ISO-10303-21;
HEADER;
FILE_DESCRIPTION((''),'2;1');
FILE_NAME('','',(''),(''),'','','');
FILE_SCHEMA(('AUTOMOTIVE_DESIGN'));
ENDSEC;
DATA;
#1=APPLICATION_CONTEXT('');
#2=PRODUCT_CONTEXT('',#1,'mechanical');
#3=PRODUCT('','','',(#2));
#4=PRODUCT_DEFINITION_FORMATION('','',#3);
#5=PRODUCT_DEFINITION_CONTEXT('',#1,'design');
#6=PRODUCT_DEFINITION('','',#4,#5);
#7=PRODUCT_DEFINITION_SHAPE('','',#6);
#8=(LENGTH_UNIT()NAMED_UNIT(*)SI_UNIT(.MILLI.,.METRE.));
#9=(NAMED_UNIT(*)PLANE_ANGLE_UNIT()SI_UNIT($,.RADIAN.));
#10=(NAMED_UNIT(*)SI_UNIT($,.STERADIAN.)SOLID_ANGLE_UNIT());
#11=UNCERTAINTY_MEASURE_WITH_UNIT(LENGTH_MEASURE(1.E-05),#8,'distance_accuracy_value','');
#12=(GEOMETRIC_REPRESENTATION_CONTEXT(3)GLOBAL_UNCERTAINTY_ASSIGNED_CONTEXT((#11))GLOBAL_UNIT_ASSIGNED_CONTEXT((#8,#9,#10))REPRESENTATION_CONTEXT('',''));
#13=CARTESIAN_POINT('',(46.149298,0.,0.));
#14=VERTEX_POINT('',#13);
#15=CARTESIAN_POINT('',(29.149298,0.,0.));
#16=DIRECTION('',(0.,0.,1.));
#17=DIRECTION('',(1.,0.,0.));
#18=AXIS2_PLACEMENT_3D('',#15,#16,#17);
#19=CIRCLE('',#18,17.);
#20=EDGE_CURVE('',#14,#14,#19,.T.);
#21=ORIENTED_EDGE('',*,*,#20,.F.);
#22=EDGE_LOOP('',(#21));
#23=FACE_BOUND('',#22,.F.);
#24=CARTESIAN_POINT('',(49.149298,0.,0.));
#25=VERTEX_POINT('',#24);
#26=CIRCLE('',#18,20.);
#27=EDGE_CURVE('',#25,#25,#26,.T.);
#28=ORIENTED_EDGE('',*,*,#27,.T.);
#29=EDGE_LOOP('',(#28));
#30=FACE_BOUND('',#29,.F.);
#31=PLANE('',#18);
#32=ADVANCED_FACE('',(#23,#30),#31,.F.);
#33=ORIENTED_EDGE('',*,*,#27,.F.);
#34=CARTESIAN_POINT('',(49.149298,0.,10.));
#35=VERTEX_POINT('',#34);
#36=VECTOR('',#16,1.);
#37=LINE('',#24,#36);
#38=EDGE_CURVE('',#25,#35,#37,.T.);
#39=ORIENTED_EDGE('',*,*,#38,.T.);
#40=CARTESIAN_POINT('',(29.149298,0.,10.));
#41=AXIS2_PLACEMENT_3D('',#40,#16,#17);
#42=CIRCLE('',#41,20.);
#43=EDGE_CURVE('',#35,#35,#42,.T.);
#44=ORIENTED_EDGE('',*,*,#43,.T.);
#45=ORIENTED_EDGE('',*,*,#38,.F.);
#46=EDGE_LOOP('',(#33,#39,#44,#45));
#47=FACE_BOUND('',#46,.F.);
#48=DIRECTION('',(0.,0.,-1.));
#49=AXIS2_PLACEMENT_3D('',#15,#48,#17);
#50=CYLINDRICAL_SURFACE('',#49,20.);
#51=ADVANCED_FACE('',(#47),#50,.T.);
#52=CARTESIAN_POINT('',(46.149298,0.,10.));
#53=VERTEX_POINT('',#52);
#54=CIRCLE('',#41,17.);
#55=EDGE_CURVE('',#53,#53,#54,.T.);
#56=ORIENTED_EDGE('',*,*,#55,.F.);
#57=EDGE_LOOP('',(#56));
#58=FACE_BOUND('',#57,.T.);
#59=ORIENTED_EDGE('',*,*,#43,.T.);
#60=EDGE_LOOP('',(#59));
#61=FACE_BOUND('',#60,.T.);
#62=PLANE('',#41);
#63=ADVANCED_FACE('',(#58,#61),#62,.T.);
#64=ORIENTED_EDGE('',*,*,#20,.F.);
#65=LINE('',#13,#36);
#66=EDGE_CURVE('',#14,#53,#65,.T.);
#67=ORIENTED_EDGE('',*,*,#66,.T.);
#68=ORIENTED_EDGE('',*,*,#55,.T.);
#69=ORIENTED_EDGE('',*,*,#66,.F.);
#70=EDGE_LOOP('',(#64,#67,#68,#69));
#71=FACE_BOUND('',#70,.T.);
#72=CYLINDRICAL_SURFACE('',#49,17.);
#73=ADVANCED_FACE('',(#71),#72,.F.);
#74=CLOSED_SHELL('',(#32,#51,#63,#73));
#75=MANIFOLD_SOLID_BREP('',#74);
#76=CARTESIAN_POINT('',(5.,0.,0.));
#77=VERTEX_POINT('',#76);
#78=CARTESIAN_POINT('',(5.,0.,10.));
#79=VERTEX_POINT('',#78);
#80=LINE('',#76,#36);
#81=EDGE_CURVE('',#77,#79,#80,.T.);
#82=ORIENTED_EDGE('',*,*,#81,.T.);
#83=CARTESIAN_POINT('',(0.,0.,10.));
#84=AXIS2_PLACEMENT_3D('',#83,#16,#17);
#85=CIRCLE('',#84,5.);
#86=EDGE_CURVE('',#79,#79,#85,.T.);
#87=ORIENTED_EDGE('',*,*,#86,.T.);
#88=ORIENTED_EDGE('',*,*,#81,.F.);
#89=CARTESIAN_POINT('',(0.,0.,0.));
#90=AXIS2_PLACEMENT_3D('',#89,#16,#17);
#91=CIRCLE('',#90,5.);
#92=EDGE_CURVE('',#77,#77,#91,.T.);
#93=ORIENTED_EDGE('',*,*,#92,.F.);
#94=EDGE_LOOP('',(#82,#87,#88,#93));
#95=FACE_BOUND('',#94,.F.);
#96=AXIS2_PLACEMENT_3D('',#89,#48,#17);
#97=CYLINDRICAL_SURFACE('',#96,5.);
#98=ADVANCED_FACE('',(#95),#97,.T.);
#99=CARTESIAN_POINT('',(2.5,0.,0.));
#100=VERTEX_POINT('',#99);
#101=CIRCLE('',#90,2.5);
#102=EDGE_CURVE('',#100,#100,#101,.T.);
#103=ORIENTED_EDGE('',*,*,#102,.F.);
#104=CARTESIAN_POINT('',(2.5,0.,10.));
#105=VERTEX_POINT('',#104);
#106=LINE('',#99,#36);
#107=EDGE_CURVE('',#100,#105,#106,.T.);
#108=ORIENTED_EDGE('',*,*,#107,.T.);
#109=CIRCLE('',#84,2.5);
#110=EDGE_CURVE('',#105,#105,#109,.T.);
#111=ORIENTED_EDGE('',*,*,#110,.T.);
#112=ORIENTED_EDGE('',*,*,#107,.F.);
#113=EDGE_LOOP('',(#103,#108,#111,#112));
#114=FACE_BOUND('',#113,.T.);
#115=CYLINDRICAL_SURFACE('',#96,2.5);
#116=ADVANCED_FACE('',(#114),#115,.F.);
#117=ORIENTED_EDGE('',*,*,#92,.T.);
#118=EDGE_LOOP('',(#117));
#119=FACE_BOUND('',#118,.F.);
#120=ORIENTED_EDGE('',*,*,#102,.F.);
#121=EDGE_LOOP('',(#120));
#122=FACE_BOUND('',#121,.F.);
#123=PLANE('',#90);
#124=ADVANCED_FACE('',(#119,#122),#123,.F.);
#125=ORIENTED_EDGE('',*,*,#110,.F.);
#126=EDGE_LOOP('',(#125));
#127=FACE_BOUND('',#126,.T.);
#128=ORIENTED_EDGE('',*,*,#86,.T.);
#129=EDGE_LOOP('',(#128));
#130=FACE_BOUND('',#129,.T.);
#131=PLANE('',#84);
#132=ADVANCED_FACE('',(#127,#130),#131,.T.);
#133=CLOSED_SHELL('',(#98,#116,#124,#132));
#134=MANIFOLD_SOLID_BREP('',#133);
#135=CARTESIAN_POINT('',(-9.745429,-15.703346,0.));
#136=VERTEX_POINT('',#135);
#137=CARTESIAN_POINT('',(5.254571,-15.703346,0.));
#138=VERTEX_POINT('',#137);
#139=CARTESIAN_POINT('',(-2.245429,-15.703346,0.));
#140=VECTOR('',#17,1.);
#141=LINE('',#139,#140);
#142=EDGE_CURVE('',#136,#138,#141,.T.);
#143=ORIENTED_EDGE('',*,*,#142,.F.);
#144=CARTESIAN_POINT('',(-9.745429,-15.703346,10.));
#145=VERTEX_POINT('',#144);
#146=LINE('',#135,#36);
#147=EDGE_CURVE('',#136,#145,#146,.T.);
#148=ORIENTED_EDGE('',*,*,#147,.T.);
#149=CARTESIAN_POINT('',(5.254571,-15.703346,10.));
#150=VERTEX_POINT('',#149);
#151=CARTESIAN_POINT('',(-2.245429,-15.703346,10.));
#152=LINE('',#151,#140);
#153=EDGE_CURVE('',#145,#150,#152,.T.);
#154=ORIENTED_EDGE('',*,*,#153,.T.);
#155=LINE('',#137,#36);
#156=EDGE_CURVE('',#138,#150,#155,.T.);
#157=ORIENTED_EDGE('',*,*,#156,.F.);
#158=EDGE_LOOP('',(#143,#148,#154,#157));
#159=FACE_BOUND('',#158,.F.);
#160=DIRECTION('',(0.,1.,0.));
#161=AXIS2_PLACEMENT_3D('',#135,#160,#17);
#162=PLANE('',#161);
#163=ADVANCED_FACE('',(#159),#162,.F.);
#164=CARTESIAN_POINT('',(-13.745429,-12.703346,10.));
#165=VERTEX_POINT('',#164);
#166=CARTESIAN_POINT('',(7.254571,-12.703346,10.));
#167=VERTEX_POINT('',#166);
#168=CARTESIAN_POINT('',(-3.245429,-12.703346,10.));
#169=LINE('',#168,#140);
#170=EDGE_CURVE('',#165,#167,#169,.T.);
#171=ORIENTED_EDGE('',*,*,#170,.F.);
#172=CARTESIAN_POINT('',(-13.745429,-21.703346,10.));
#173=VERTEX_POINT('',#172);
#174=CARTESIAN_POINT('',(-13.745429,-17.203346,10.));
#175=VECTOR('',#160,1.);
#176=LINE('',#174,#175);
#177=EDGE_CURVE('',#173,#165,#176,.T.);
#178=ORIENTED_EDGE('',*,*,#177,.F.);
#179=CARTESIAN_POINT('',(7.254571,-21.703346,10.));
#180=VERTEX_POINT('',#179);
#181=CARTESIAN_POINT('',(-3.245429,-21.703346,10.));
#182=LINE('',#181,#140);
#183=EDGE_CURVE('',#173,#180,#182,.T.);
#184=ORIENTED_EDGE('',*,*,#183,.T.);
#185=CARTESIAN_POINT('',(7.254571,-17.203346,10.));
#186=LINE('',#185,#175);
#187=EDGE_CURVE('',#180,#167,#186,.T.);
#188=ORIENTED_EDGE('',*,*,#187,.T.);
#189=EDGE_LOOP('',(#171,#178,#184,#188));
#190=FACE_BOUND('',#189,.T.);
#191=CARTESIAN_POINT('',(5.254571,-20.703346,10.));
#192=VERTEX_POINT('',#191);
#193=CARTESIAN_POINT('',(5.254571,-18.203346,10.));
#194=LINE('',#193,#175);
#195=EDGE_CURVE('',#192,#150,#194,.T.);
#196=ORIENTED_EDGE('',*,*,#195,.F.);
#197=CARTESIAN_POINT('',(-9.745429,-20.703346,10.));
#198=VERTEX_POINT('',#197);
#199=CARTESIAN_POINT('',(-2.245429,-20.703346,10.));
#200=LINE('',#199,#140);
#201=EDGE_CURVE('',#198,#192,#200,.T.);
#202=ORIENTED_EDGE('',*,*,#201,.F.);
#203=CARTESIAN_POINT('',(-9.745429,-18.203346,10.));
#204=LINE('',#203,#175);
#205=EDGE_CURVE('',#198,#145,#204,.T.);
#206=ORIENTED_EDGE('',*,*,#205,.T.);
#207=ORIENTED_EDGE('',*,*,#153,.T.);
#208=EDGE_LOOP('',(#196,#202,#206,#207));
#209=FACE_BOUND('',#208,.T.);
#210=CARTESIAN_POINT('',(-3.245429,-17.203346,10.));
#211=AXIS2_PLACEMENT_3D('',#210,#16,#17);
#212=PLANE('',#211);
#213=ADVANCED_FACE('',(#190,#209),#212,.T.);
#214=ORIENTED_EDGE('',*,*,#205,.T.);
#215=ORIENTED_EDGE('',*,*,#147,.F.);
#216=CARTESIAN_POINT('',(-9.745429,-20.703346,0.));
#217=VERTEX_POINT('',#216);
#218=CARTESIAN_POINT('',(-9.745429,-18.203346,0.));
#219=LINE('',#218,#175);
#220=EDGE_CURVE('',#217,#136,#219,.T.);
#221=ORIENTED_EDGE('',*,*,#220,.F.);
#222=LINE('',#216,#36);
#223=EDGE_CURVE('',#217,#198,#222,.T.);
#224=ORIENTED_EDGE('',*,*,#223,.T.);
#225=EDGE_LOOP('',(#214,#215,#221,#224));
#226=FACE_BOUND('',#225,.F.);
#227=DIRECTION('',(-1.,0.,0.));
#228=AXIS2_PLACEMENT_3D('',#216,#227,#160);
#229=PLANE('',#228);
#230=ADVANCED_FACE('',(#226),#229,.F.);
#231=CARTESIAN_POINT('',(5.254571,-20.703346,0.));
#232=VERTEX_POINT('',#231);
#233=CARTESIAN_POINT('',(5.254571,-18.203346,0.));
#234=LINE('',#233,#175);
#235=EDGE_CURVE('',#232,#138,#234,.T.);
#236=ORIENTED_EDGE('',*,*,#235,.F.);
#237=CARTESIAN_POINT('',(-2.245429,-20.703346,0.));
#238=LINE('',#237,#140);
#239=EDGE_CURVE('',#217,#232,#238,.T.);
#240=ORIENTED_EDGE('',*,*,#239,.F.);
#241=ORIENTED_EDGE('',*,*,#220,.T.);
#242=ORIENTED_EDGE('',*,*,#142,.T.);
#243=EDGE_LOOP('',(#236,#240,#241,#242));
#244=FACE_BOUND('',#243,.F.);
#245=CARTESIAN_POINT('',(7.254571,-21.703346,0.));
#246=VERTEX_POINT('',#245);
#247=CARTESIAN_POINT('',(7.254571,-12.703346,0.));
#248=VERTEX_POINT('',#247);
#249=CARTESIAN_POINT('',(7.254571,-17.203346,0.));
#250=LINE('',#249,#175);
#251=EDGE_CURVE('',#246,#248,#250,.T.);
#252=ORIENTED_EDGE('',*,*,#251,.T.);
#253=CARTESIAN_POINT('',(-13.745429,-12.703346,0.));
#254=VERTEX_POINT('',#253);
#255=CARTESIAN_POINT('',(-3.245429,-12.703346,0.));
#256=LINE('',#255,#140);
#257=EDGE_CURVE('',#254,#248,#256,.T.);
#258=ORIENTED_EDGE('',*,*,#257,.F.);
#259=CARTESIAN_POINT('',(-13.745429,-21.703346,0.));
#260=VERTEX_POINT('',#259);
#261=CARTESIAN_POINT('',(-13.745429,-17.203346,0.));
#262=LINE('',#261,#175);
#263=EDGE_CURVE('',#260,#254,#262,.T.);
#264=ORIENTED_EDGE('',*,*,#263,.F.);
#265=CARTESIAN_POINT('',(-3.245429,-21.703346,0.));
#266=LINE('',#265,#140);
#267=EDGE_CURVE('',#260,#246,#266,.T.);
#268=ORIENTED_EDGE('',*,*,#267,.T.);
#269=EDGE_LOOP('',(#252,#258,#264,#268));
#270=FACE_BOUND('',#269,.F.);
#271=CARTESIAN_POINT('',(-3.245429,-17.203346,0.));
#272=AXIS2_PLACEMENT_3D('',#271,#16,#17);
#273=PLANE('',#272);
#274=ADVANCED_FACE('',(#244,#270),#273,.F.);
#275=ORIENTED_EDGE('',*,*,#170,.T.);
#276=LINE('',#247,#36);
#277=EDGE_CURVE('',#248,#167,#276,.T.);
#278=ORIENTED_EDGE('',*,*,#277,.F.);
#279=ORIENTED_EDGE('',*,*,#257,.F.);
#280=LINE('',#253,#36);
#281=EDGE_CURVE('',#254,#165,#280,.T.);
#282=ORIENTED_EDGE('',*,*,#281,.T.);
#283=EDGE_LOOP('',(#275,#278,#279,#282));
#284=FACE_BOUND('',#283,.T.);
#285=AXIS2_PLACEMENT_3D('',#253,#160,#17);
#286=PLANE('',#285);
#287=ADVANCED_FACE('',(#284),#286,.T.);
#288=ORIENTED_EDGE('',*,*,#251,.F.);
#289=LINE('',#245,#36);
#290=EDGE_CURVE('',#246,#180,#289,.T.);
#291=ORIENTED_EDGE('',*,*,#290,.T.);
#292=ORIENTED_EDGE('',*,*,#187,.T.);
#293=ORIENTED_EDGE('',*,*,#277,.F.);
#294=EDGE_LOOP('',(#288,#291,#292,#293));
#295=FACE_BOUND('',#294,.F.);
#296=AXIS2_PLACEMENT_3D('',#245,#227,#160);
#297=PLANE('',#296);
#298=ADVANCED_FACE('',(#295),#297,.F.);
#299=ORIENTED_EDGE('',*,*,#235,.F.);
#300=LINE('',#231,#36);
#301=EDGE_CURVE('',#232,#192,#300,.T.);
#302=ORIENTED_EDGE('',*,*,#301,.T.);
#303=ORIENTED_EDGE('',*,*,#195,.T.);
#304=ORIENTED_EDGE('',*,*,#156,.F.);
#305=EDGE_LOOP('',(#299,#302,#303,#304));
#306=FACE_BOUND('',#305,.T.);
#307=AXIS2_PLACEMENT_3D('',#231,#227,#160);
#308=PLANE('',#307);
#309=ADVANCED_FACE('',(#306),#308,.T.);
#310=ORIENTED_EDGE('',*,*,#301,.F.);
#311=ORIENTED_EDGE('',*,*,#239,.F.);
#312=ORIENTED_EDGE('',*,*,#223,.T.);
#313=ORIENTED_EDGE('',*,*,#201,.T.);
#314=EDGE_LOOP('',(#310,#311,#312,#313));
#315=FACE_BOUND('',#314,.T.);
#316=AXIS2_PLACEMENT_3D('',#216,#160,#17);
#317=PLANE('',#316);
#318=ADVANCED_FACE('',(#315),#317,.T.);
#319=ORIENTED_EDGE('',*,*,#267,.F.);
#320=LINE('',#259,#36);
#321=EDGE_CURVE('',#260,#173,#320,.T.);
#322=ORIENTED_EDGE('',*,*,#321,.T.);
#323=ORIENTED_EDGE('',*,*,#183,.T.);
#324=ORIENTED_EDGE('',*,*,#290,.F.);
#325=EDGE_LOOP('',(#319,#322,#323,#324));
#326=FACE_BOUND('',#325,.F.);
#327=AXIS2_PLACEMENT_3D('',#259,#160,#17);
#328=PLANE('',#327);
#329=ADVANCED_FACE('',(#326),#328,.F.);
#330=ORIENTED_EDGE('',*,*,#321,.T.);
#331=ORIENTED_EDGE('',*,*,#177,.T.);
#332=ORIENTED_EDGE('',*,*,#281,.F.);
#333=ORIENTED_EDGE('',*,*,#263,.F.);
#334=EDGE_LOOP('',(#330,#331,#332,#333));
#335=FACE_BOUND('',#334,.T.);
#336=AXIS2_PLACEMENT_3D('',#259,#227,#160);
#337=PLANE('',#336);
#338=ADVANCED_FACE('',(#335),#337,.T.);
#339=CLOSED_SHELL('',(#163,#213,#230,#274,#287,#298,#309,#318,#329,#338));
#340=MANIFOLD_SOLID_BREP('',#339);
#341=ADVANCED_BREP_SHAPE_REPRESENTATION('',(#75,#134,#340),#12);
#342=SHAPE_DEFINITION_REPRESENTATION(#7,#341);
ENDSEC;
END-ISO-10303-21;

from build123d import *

# Parameters (mm, degrees)
F0_R     = 20
F0_R_2   = 17
F0_R_3   = 5
F0_R_4   = 2.5
F1_DEPTH = 10
F2_W     = 21
F2_H     = 9
F2_W_2   = 15
F2_H_2   = 5
F3_DEPTH = 10


with BuildPart() as f1:
    # F0 (on Top) → F1 (new body)
    with BuildSketch(Plane.XY):
        with Locations((29.149298, 0)):
            Circle(F0_R)
        with Locations((29.149298, 0)):
            Circle(F0_R_2, mode=Mode.SUBTRACT)
        Circle(F0_R_3)
        Circle(F0_R_4, mode=Mode.SUBTRACT)
    extrude(amount=F1_DEPTH)


with BuildPart() as f3:
    # F2 (on Top) → F3 (new body)
    with BuildSketch(Plane.XY):
        with Locations((-3.245429, -17.203346)):
            Rectangle(F2_W, F2_H)
        with Locations((-2.245429, -18.203346)):
            Rectangle(F2_W_2, F2_H_2, mode=Mode.SUBTRACT)
    extrude(amount=F3_DEPTH)


solid = Compound([f1.part, f3.part])
